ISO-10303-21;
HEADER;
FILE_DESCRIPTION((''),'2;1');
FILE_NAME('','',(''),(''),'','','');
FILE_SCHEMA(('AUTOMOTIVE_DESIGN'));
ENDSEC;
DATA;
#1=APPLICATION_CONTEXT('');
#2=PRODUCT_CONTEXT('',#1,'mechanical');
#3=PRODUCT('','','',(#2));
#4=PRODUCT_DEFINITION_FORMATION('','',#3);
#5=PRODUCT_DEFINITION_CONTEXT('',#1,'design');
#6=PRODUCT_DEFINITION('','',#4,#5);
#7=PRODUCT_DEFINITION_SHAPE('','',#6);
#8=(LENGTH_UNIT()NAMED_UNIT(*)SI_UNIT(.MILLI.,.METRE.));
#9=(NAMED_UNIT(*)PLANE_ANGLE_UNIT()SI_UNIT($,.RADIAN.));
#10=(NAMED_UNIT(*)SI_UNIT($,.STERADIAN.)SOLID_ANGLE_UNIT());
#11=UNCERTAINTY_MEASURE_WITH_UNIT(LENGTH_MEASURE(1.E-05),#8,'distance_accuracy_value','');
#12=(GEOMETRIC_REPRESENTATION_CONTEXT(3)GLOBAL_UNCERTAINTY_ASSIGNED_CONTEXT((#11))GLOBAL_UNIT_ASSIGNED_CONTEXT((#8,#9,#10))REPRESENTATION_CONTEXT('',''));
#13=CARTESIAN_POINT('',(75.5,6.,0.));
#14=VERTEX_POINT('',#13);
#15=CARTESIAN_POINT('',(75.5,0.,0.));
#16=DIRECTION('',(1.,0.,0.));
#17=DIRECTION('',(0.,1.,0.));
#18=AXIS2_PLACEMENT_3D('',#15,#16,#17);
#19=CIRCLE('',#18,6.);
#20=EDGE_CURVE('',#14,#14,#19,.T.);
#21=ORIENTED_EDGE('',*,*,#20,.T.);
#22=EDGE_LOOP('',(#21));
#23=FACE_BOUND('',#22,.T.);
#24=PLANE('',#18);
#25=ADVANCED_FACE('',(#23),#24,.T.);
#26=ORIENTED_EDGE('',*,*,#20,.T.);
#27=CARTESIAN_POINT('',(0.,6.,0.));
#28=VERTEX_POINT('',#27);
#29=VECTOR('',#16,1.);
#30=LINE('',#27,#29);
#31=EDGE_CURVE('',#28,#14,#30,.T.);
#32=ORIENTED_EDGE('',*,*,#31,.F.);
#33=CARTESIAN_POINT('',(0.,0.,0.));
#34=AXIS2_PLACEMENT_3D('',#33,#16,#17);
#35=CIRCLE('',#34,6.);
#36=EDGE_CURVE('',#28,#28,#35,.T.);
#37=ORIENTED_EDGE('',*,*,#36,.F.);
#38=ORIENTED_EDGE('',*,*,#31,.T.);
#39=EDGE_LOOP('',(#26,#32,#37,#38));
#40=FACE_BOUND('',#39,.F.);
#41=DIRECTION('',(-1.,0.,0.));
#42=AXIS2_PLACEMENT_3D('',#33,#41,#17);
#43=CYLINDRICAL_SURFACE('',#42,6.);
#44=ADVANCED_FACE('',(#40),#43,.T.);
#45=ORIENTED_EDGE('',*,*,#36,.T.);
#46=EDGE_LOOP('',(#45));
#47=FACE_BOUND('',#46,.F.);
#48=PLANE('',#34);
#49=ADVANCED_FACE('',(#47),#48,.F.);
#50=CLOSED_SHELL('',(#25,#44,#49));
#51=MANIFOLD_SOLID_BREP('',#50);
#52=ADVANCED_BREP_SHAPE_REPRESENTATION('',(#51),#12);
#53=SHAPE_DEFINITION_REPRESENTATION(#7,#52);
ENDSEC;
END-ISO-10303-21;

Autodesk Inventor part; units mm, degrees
ref_plane "YZ Plane" through (0, 0, 0) normal (1, 0, 0) x (0, 1, 0)
ref_plane "XZ Plane" through (0, 0, 0) normal (0, 1, 0) x (-1, 0, 0)
ref_plane "XY Plane" through (0, 0, 0) normal (0, 0, 1) x (1, 0, 0)
sketch "スケッチ1" plane through (0, 0, 0) normal (1, 0, 0) x (0, 1, 0)
  circle A0 centre (0, 0) radius 6
  dimension "d0" = 12
extrude "押し出し1" add sketch "スケッチ1" along normal blind 75.5
properties part number "dribl-v1-Shaft-3" material "アルミニウム 6061"
